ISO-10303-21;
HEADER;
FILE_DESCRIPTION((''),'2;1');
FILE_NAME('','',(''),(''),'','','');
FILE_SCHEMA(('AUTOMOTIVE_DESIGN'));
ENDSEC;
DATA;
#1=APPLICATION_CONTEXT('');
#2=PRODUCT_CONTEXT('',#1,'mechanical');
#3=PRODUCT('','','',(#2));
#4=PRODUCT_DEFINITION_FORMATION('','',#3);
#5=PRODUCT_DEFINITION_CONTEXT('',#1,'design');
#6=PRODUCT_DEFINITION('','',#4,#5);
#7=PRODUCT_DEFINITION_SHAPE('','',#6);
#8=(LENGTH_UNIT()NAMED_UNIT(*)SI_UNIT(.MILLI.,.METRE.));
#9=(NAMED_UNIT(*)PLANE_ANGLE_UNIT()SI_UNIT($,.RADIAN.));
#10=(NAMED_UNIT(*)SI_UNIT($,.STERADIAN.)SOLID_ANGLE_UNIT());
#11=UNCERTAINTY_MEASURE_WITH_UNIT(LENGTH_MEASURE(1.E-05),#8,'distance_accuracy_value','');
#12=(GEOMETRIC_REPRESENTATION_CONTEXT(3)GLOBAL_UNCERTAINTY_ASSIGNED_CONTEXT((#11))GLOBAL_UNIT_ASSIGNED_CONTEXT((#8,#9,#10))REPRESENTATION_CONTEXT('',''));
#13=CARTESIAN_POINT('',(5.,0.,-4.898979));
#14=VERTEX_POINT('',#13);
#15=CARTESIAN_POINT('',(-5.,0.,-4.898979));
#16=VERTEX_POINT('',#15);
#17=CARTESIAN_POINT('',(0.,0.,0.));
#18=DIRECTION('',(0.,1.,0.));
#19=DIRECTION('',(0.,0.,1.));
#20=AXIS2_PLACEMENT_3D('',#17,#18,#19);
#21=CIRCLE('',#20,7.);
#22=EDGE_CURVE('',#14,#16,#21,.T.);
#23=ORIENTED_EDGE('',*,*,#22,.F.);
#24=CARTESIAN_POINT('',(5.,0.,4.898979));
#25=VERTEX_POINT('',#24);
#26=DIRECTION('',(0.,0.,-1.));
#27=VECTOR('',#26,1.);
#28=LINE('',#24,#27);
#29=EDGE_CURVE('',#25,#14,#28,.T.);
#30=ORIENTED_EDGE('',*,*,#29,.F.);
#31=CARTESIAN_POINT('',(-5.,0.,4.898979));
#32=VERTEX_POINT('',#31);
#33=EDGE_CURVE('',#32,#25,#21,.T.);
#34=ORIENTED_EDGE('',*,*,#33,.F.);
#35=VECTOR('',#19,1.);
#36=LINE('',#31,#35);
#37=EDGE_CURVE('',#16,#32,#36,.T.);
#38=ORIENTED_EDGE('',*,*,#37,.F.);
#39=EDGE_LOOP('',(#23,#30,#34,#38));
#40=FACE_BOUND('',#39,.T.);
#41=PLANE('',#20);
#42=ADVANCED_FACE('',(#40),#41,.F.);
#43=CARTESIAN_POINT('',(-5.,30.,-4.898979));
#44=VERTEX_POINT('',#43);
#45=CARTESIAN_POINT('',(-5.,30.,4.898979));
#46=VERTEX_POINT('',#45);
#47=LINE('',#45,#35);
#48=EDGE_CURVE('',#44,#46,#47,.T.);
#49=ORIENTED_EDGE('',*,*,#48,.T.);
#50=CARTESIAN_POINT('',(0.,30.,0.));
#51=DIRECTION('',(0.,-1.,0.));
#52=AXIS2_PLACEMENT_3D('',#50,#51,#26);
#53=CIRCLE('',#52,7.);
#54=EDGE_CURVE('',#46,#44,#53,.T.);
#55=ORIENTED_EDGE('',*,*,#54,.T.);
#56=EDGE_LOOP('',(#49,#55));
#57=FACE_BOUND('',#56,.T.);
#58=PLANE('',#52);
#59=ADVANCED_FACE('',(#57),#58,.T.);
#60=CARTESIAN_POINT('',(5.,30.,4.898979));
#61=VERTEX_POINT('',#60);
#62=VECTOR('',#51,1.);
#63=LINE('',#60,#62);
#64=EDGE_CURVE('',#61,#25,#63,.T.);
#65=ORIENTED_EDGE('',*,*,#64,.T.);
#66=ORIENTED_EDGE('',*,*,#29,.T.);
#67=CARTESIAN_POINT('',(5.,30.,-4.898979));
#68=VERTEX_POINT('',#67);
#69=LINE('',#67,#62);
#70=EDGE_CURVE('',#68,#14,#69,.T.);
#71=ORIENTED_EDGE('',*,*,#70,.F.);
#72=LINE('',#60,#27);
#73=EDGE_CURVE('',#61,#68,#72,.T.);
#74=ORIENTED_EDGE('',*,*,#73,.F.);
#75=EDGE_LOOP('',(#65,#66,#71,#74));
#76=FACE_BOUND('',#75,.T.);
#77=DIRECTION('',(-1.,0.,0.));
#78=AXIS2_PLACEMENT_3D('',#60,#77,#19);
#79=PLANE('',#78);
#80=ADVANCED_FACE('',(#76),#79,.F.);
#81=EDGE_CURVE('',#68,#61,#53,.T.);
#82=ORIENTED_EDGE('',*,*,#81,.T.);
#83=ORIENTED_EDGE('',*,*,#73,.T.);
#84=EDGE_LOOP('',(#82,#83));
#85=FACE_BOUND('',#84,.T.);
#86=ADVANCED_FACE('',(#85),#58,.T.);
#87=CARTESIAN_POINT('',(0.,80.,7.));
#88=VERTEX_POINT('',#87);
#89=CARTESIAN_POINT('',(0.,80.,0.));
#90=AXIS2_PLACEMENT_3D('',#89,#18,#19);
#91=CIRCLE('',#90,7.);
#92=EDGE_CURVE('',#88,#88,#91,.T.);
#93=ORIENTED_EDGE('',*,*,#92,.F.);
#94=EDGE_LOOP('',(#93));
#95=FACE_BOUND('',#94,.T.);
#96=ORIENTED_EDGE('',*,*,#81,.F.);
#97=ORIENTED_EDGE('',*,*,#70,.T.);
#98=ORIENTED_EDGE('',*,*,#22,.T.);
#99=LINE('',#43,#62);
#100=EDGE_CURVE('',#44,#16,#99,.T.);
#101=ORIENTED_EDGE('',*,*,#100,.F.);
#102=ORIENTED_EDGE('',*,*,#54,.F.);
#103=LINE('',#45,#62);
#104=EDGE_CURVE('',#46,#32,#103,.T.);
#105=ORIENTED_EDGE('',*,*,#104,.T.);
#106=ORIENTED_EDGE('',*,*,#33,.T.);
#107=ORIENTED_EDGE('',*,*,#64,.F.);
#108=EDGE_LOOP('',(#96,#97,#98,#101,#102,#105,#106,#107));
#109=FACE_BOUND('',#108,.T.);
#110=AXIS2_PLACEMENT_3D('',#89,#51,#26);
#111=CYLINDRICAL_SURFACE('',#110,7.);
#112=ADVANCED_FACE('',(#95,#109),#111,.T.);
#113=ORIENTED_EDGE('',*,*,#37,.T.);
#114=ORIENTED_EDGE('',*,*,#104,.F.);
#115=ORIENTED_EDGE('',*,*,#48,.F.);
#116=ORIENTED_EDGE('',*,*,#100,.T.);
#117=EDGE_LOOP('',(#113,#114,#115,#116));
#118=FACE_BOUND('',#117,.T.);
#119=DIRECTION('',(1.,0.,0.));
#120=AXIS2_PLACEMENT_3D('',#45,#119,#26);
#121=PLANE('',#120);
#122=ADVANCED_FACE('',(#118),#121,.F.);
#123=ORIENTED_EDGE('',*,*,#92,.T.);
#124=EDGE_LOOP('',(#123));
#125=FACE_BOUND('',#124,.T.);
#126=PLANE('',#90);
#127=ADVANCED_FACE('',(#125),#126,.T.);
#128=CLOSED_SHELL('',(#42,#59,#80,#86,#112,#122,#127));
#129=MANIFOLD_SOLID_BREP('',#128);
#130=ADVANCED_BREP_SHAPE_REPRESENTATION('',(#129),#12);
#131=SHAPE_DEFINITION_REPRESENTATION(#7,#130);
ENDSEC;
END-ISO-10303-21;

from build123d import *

# Parameters (mm, degrees)
SKETCH1_R           = 7
BOSS_EXTRUDE1_DEPTH = 80
CUT_EXTRUDE1_DEPTH  = 30


with BuildPart() as part:
    # Sketch1 → Boss-Extrude1 (new body)
    with BuildSketch(Plane(origin=(0, 0, 0), x_dir=(1, 0, 0), z_dir=(0, 1, 0))):
        with Locations(Location((0, 0, 0), (0, 0, 270))):
            Circle(SKETCH1_R)
    extrude(amount=BOSS_EXTRUDE1_DEPTH)

    # Sketch2 → Cut-Extrude1 (cut)
    with BuildSketch(Plane.XZ):
        with BuildLine():
            Line((-5, 4.898979486), (-5, -4.898979486))
            ThreePointArc((-5, -4.898979486), (-7, 0), (-5, 4.898979486))
        make_face()
        with BuildLine():
            Line((5, 4.898979486), (5, -4.898979486))
            ThreePointArc((5, -4.898979486), (7, 0), (5, 4.898979486))
        make_face()
    extrude(amount=-CUT_EXTRUDE1_DEPTH, mode=Mode.SUBTRACT)


solid = part.part
